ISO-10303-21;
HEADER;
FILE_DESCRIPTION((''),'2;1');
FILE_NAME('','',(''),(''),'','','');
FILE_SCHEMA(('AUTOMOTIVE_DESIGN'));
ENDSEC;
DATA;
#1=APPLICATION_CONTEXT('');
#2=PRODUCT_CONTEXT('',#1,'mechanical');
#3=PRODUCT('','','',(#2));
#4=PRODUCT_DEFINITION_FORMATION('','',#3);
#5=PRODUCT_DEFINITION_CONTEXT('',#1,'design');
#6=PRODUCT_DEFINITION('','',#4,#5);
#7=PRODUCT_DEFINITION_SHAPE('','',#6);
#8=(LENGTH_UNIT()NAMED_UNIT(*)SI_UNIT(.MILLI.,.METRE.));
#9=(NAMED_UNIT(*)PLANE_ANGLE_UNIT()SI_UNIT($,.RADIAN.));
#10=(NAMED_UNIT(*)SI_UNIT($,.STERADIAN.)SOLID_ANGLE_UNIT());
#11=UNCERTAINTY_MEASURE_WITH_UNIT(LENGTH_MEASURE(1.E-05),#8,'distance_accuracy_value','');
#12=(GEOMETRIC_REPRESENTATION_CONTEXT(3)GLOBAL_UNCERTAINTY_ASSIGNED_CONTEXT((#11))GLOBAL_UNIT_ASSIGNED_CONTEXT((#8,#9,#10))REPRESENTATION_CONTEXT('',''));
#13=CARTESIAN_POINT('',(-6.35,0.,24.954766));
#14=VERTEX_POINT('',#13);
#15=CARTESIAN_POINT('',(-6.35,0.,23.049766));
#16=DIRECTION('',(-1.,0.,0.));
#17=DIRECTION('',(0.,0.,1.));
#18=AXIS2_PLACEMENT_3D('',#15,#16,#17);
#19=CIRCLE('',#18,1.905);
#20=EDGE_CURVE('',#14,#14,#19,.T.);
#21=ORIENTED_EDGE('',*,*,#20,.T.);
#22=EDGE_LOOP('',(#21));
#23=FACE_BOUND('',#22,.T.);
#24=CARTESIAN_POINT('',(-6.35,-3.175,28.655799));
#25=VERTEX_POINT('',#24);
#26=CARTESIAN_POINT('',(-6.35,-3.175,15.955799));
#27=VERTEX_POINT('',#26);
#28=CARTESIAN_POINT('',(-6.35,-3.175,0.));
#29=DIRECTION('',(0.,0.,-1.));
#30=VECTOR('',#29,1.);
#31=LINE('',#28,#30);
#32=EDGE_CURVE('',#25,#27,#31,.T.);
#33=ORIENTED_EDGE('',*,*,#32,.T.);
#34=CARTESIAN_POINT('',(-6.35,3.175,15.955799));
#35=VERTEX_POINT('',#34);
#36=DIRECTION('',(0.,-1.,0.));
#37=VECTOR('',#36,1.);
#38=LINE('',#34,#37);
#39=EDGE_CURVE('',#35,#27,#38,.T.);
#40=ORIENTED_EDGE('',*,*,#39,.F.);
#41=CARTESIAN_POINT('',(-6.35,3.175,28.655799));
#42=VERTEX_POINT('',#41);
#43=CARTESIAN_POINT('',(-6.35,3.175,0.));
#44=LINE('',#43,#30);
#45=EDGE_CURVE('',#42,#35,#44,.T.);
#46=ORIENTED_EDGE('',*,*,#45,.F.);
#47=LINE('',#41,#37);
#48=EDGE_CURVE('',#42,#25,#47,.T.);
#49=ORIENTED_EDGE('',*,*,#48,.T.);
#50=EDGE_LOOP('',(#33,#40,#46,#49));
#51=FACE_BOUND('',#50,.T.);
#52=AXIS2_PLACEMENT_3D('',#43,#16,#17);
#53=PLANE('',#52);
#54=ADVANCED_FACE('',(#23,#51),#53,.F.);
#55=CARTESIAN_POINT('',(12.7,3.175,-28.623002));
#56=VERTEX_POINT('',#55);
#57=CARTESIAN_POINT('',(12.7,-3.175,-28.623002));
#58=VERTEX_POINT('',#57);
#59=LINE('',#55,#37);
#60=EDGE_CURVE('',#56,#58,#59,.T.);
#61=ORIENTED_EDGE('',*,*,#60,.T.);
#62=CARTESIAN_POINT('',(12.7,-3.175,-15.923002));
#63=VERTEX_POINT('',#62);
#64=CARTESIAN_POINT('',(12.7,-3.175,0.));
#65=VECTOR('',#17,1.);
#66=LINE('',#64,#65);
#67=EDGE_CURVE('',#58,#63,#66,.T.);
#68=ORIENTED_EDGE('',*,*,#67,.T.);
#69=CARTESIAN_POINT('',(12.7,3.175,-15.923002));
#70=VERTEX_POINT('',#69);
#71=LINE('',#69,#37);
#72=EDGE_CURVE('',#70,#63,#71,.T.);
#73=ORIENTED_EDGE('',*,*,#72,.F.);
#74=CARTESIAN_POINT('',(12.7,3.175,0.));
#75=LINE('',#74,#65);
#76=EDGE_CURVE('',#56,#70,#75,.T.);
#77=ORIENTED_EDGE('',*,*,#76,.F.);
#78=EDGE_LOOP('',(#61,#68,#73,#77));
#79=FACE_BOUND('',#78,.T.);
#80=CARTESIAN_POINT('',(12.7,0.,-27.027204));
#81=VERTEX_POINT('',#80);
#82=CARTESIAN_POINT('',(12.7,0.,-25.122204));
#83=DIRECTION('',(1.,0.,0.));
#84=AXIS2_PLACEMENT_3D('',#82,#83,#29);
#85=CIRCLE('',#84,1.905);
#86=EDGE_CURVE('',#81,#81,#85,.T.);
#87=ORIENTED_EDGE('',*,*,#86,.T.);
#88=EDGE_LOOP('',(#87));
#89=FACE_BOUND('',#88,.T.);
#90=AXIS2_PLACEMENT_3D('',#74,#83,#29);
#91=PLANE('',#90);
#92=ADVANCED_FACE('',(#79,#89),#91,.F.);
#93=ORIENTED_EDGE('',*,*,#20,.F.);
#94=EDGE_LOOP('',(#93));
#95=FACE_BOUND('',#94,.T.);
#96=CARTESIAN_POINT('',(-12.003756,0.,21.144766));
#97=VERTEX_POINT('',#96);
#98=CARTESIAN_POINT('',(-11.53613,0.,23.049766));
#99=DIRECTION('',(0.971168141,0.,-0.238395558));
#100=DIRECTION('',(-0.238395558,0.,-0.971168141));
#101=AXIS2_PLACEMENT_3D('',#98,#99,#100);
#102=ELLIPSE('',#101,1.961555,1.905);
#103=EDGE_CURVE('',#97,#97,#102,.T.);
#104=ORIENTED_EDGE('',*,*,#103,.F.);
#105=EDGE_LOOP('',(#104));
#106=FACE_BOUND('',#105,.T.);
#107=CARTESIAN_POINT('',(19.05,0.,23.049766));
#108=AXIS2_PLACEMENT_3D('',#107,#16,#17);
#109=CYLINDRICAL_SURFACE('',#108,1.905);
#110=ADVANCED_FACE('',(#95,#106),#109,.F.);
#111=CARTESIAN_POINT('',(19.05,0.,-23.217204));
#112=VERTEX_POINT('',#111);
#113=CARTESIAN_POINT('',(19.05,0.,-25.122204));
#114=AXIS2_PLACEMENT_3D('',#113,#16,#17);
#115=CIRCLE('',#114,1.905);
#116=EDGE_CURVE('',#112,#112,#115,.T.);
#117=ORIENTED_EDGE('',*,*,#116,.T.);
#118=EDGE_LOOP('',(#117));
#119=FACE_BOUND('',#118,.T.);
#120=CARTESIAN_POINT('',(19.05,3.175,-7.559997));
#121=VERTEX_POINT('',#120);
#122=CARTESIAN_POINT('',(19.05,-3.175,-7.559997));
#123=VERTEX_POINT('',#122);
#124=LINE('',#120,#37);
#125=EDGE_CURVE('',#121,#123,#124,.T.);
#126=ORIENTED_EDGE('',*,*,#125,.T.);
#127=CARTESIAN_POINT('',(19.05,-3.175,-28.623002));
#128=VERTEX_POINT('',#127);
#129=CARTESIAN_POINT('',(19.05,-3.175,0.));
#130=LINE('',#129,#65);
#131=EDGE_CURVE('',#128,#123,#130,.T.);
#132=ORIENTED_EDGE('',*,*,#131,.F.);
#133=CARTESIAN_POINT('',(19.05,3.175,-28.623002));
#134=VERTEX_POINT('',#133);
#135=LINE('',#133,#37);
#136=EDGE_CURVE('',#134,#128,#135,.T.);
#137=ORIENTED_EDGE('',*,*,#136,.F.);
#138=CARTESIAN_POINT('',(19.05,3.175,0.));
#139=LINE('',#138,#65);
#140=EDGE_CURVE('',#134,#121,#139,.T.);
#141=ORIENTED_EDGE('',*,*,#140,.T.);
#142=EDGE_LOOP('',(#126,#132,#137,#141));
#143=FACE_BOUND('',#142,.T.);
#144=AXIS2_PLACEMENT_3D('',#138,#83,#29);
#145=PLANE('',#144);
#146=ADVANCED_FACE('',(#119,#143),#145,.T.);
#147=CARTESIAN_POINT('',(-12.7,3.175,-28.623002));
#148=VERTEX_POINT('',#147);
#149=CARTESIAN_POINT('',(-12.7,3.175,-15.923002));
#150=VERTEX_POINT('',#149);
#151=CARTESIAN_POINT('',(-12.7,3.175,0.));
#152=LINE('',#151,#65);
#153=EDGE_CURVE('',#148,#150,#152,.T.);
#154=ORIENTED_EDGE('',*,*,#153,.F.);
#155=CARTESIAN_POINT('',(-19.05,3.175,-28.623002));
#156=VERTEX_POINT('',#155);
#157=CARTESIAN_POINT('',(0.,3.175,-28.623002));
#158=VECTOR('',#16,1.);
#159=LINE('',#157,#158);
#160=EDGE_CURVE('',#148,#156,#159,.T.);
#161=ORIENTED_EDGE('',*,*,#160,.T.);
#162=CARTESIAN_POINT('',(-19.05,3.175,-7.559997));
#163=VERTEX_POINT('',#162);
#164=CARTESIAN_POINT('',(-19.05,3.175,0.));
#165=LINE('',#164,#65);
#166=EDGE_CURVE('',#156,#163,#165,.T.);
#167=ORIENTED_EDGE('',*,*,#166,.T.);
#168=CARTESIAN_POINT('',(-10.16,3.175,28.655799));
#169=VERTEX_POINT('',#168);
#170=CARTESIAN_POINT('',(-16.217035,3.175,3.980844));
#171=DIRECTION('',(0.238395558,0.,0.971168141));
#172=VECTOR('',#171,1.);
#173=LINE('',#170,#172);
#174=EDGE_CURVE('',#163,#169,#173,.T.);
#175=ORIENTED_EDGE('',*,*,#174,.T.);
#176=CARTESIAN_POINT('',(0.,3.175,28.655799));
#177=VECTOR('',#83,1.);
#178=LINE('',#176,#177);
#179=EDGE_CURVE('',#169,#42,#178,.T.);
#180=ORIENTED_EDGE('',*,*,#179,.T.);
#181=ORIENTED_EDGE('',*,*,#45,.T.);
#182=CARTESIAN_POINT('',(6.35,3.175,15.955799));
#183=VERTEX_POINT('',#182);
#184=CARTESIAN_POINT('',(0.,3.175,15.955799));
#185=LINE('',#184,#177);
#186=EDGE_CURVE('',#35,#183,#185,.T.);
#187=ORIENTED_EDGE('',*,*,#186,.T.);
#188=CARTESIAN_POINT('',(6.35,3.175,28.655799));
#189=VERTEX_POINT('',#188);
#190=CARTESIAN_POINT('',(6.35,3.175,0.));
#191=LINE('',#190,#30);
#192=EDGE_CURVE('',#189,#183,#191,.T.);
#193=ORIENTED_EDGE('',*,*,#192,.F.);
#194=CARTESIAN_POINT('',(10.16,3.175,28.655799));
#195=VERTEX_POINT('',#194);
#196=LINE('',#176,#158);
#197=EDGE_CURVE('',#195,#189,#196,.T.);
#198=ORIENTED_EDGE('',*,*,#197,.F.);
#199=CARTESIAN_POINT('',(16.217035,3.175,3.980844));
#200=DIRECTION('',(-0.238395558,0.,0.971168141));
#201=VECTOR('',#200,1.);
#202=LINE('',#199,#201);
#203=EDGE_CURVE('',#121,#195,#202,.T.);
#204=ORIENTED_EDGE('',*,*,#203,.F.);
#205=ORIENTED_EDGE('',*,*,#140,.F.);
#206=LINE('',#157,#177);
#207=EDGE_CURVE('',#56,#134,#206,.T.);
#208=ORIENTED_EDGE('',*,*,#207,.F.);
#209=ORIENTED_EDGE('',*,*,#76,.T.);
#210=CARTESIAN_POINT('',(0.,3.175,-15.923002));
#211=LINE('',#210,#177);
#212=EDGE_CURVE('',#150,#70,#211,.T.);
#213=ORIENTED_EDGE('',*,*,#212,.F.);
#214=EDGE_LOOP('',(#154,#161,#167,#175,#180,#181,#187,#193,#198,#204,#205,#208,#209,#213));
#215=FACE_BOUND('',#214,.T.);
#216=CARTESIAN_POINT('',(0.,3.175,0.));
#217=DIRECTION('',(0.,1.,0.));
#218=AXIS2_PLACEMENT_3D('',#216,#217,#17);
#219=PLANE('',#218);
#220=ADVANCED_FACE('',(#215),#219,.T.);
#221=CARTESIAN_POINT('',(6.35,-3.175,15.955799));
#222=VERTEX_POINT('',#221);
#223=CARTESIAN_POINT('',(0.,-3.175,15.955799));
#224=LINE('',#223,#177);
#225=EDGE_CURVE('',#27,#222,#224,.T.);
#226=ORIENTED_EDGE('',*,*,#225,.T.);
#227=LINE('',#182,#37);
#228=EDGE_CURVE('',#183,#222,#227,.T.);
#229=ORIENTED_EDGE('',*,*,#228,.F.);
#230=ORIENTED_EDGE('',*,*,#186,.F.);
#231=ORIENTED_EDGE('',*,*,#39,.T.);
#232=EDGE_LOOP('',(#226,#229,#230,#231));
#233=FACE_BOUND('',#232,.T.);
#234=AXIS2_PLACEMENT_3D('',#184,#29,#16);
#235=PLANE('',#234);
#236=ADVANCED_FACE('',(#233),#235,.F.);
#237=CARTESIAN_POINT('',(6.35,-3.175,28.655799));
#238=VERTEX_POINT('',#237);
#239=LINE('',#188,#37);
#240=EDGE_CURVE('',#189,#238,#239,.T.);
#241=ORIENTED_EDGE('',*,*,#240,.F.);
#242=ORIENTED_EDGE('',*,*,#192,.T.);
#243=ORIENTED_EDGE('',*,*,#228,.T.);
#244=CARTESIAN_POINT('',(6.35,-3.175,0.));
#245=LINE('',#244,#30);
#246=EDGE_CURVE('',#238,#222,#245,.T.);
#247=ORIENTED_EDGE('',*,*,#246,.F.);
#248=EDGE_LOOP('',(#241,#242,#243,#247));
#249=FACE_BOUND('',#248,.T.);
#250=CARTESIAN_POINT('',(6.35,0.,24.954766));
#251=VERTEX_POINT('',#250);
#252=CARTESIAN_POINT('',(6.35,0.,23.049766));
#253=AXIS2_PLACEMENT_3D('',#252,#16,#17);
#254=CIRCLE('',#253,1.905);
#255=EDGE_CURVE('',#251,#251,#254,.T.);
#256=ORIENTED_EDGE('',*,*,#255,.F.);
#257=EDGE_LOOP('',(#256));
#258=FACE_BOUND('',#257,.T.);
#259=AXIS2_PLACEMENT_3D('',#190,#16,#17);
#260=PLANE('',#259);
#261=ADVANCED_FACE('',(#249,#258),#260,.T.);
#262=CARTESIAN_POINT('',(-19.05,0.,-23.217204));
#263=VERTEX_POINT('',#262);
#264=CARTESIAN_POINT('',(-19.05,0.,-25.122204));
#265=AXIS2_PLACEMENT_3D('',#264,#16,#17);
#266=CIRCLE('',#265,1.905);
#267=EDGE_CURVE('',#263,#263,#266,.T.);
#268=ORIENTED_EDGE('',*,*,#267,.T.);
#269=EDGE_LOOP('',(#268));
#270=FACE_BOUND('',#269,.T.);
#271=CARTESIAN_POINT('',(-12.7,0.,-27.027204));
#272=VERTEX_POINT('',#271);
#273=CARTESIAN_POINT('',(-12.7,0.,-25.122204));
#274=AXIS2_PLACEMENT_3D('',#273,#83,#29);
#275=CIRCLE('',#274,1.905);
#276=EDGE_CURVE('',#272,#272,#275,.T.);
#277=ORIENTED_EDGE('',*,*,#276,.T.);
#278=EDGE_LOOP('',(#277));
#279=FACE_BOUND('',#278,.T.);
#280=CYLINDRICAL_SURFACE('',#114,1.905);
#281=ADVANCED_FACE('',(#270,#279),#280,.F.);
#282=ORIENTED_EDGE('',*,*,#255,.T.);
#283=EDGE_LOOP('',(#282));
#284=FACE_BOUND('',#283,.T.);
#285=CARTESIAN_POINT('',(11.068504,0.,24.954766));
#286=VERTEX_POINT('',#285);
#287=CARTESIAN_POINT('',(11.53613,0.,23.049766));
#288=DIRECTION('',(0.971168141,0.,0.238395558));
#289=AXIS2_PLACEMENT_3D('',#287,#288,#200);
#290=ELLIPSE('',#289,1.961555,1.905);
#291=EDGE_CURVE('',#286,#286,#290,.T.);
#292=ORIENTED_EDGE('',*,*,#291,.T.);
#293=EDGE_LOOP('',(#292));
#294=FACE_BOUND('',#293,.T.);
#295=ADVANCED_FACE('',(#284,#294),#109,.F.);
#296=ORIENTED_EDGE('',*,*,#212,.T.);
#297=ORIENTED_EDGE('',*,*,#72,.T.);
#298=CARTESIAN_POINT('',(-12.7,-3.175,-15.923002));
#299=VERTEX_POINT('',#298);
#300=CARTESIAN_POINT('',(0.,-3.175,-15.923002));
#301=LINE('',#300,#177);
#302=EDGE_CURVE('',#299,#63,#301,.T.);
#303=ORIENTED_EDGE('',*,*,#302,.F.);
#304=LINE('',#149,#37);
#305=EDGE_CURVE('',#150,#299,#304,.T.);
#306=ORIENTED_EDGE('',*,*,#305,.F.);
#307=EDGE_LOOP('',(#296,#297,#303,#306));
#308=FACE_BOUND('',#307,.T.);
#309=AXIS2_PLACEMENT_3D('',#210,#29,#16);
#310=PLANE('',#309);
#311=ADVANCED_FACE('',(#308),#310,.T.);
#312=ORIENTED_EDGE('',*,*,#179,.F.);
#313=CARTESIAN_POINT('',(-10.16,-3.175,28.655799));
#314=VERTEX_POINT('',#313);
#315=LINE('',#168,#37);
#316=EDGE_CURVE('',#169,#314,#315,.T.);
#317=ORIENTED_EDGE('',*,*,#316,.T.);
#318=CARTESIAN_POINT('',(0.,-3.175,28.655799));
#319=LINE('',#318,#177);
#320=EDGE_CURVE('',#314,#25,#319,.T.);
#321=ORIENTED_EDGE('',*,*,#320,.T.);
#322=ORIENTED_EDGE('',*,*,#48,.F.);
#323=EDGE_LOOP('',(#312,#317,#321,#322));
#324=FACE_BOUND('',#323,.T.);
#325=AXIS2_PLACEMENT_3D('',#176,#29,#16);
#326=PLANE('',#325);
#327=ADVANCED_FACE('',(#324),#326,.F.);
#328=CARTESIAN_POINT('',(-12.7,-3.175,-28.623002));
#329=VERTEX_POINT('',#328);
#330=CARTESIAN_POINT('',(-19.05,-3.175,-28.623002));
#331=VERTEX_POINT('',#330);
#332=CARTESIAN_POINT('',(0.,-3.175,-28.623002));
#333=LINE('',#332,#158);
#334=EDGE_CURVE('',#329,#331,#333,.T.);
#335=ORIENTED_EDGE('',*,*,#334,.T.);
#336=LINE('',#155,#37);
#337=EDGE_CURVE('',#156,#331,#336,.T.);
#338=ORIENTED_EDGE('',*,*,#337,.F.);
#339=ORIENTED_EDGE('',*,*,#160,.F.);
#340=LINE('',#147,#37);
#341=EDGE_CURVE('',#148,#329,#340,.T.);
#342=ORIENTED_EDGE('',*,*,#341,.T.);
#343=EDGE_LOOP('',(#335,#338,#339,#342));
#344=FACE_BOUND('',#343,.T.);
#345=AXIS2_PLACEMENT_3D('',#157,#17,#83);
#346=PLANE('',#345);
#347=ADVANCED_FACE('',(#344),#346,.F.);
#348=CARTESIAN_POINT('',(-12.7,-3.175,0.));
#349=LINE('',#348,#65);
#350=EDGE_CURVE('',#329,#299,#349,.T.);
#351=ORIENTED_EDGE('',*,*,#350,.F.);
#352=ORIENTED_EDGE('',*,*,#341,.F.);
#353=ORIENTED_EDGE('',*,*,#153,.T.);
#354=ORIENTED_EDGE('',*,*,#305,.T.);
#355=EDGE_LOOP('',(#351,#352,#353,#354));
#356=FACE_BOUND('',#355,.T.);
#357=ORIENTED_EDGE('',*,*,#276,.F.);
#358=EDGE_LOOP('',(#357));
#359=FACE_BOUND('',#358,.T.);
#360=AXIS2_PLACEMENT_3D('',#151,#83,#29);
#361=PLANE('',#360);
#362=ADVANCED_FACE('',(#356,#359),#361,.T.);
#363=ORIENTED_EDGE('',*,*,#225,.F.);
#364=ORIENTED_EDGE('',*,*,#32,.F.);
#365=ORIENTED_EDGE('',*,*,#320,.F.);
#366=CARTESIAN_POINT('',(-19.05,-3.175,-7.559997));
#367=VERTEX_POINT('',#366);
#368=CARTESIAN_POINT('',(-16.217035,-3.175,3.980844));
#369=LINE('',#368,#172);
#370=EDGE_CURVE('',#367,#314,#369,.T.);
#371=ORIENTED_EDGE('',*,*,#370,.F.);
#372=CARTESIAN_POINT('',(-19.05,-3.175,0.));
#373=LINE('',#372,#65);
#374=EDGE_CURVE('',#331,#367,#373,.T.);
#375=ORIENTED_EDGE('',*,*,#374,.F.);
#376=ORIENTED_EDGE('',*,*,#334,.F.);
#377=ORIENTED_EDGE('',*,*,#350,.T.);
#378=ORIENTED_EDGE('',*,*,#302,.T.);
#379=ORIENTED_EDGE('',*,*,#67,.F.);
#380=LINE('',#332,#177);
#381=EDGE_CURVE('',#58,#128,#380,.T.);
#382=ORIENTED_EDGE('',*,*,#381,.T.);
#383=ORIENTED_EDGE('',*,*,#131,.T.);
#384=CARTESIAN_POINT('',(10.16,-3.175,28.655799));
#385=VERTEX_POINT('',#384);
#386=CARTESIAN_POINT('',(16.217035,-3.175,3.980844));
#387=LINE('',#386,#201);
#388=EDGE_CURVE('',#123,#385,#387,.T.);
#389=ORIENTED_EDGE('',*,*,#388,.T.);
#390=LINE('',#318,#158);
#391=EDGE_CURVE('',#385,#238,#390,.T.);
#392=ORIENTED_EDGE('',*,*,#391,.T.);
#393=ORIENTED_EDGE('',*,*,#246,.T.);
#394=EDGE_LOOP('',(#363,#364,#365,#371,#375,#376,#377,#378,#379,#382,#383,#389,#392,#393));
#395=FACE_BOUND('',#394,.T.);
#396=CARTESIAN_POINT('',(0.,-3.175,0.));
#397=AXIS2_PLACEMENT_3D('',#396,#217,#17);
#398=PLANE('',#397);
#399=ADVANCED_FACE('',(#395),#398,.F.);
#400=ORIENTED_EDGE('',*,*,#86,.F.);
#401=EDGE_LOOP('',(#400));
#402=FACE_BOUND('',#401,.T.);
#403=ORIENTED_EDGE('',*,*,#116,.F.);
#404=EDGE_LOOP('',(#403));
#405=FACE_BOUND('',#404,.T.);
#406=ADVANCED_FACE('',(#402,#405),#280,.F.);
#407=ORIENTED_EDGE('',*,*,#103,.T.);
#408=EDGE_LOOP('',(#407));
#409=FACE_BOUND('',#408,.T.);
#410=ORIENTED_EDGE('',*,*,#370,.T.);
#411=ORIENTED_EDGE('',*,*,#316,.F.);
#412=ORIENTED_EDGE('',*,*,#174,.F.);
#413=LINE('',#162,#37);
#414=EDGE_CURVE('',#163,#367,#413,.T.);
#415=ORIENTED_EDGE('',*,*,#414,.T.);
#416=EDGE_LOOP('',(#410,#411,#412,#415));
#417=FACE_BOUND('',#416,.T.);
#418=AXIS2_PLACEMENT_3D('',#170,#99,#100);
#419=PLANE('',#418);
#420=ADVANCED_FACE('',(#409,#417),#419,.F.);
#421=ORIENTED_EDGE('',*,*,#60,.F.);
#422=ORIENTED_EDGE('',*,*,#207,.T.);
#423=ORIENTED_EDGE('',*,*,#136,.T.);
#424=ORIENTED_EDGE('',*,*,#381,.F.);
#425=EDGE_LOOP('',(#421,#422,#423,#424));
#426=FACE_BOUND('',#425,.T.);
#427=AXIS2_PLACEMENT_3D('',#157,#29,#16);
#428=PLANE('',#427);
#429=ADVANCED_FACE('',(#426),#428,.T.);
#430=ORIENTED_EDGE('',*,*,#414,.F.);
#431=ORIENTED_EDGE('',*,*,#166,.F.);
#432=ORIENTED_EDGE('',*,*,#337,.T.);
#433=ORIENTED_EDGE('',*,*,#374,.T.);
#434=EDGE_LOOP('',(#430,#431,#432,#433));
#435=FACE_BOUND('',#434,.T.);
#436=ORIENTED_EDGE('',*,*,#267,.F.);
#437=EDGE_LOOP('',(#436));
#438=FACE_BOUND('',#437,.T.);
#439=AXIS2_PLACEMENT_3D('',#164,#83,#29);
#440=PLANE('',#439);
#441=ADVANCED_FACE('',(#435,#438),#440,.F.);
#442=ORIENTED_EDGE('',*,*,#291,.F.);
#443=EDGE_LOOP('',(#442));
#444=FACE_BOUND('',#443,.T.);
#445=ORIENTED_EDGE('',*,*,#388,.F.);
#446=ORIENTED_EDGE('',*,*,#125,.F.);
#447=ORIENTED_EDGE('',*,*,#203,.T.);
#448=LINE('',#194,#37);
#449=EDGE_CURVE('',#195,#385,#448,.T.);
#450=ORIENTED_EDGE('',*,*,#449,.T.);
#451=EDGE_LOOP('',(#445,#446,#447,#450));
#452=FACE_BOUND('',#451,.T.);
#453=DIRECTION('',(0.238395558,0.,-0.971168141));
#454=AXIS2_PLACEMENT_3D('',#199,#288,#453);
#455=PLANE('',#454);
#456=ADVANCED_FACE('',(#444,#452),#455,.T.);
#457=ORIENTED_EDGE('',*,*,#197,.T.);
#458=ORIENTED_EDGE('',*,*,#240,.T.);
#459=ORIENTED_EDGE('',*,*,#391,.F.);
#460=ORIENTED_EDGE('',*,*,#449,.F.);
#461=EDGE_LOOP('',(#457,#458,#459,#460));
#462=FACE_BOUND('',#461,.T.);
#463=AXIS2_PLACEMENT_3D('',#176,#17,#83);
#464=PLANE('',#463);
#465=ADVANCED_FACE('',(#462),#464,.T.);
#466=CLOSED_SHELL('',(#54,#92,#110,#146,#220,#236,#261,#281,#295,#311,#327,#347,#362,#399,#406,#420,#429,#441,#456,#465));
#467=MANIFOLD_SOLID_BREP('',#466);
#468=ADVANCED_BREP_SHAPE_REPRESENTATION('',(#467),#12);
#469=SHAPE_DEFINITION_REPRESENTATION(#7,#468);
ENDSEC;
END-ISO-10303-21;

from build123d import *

# Parameters (mm, degrees)
BOSS_EXTRUDE1_DEPTH     = 3.175
SKETCH2_R               = 1.905
CUT_EXTRUDE1_DEPTH      = 20.05
CUT_EXTRUDE1_DEPTH_BACK = 20.05


with BuildPart() as part:
    # Sketch1 → Boss-Extrude1 (new body, symmetric)
    with BuildSketch(Plane(origin=(0, 0, 0), x_dir=(1, 0, 0), z_dir=(0, 1, 0))):
        Polygon((-19.05, 28.623002286), (-19.05, 7.559996871), (-10.16, -28.655798535), (-6.35, -28.655798535), (-6.35, -15.955798535), (6.35, -15.955798535), (6.35, -28.655798535), (10.16, -28.655798535), (19.05, 7.559996871), (19.05, 28.623002286), (12.7, 28.623002286), (12.7, 15.923002286), (-12.7, 15.923002286), (-12.7, 28.623002286), align=None)
    extrude(amount=BOSS_EXTRUDE1_DEPTH, both=True)

    # Sketch2 → Cut-Extrude1 (cut, two sides)
    with BuildSketch(Plane.ZY) as cut_extrude1_sk:
        with Locations((-25.12220376, 0)):
            Circle(SKETCH2_R)
        with Locations((23.04976617, 0)):
            Circle(SKETCH2_R)
    extrude(amount=CUT_EXTRUDE1_DEPTH, mode=Mode.SUBTRACT)
    extrude(cut_extrude1_sk.sketch, amount=-CUT_EXTRUDE1_DEPTH_BACK, mode=Mode.SUBTRACT)


solid = part.part
